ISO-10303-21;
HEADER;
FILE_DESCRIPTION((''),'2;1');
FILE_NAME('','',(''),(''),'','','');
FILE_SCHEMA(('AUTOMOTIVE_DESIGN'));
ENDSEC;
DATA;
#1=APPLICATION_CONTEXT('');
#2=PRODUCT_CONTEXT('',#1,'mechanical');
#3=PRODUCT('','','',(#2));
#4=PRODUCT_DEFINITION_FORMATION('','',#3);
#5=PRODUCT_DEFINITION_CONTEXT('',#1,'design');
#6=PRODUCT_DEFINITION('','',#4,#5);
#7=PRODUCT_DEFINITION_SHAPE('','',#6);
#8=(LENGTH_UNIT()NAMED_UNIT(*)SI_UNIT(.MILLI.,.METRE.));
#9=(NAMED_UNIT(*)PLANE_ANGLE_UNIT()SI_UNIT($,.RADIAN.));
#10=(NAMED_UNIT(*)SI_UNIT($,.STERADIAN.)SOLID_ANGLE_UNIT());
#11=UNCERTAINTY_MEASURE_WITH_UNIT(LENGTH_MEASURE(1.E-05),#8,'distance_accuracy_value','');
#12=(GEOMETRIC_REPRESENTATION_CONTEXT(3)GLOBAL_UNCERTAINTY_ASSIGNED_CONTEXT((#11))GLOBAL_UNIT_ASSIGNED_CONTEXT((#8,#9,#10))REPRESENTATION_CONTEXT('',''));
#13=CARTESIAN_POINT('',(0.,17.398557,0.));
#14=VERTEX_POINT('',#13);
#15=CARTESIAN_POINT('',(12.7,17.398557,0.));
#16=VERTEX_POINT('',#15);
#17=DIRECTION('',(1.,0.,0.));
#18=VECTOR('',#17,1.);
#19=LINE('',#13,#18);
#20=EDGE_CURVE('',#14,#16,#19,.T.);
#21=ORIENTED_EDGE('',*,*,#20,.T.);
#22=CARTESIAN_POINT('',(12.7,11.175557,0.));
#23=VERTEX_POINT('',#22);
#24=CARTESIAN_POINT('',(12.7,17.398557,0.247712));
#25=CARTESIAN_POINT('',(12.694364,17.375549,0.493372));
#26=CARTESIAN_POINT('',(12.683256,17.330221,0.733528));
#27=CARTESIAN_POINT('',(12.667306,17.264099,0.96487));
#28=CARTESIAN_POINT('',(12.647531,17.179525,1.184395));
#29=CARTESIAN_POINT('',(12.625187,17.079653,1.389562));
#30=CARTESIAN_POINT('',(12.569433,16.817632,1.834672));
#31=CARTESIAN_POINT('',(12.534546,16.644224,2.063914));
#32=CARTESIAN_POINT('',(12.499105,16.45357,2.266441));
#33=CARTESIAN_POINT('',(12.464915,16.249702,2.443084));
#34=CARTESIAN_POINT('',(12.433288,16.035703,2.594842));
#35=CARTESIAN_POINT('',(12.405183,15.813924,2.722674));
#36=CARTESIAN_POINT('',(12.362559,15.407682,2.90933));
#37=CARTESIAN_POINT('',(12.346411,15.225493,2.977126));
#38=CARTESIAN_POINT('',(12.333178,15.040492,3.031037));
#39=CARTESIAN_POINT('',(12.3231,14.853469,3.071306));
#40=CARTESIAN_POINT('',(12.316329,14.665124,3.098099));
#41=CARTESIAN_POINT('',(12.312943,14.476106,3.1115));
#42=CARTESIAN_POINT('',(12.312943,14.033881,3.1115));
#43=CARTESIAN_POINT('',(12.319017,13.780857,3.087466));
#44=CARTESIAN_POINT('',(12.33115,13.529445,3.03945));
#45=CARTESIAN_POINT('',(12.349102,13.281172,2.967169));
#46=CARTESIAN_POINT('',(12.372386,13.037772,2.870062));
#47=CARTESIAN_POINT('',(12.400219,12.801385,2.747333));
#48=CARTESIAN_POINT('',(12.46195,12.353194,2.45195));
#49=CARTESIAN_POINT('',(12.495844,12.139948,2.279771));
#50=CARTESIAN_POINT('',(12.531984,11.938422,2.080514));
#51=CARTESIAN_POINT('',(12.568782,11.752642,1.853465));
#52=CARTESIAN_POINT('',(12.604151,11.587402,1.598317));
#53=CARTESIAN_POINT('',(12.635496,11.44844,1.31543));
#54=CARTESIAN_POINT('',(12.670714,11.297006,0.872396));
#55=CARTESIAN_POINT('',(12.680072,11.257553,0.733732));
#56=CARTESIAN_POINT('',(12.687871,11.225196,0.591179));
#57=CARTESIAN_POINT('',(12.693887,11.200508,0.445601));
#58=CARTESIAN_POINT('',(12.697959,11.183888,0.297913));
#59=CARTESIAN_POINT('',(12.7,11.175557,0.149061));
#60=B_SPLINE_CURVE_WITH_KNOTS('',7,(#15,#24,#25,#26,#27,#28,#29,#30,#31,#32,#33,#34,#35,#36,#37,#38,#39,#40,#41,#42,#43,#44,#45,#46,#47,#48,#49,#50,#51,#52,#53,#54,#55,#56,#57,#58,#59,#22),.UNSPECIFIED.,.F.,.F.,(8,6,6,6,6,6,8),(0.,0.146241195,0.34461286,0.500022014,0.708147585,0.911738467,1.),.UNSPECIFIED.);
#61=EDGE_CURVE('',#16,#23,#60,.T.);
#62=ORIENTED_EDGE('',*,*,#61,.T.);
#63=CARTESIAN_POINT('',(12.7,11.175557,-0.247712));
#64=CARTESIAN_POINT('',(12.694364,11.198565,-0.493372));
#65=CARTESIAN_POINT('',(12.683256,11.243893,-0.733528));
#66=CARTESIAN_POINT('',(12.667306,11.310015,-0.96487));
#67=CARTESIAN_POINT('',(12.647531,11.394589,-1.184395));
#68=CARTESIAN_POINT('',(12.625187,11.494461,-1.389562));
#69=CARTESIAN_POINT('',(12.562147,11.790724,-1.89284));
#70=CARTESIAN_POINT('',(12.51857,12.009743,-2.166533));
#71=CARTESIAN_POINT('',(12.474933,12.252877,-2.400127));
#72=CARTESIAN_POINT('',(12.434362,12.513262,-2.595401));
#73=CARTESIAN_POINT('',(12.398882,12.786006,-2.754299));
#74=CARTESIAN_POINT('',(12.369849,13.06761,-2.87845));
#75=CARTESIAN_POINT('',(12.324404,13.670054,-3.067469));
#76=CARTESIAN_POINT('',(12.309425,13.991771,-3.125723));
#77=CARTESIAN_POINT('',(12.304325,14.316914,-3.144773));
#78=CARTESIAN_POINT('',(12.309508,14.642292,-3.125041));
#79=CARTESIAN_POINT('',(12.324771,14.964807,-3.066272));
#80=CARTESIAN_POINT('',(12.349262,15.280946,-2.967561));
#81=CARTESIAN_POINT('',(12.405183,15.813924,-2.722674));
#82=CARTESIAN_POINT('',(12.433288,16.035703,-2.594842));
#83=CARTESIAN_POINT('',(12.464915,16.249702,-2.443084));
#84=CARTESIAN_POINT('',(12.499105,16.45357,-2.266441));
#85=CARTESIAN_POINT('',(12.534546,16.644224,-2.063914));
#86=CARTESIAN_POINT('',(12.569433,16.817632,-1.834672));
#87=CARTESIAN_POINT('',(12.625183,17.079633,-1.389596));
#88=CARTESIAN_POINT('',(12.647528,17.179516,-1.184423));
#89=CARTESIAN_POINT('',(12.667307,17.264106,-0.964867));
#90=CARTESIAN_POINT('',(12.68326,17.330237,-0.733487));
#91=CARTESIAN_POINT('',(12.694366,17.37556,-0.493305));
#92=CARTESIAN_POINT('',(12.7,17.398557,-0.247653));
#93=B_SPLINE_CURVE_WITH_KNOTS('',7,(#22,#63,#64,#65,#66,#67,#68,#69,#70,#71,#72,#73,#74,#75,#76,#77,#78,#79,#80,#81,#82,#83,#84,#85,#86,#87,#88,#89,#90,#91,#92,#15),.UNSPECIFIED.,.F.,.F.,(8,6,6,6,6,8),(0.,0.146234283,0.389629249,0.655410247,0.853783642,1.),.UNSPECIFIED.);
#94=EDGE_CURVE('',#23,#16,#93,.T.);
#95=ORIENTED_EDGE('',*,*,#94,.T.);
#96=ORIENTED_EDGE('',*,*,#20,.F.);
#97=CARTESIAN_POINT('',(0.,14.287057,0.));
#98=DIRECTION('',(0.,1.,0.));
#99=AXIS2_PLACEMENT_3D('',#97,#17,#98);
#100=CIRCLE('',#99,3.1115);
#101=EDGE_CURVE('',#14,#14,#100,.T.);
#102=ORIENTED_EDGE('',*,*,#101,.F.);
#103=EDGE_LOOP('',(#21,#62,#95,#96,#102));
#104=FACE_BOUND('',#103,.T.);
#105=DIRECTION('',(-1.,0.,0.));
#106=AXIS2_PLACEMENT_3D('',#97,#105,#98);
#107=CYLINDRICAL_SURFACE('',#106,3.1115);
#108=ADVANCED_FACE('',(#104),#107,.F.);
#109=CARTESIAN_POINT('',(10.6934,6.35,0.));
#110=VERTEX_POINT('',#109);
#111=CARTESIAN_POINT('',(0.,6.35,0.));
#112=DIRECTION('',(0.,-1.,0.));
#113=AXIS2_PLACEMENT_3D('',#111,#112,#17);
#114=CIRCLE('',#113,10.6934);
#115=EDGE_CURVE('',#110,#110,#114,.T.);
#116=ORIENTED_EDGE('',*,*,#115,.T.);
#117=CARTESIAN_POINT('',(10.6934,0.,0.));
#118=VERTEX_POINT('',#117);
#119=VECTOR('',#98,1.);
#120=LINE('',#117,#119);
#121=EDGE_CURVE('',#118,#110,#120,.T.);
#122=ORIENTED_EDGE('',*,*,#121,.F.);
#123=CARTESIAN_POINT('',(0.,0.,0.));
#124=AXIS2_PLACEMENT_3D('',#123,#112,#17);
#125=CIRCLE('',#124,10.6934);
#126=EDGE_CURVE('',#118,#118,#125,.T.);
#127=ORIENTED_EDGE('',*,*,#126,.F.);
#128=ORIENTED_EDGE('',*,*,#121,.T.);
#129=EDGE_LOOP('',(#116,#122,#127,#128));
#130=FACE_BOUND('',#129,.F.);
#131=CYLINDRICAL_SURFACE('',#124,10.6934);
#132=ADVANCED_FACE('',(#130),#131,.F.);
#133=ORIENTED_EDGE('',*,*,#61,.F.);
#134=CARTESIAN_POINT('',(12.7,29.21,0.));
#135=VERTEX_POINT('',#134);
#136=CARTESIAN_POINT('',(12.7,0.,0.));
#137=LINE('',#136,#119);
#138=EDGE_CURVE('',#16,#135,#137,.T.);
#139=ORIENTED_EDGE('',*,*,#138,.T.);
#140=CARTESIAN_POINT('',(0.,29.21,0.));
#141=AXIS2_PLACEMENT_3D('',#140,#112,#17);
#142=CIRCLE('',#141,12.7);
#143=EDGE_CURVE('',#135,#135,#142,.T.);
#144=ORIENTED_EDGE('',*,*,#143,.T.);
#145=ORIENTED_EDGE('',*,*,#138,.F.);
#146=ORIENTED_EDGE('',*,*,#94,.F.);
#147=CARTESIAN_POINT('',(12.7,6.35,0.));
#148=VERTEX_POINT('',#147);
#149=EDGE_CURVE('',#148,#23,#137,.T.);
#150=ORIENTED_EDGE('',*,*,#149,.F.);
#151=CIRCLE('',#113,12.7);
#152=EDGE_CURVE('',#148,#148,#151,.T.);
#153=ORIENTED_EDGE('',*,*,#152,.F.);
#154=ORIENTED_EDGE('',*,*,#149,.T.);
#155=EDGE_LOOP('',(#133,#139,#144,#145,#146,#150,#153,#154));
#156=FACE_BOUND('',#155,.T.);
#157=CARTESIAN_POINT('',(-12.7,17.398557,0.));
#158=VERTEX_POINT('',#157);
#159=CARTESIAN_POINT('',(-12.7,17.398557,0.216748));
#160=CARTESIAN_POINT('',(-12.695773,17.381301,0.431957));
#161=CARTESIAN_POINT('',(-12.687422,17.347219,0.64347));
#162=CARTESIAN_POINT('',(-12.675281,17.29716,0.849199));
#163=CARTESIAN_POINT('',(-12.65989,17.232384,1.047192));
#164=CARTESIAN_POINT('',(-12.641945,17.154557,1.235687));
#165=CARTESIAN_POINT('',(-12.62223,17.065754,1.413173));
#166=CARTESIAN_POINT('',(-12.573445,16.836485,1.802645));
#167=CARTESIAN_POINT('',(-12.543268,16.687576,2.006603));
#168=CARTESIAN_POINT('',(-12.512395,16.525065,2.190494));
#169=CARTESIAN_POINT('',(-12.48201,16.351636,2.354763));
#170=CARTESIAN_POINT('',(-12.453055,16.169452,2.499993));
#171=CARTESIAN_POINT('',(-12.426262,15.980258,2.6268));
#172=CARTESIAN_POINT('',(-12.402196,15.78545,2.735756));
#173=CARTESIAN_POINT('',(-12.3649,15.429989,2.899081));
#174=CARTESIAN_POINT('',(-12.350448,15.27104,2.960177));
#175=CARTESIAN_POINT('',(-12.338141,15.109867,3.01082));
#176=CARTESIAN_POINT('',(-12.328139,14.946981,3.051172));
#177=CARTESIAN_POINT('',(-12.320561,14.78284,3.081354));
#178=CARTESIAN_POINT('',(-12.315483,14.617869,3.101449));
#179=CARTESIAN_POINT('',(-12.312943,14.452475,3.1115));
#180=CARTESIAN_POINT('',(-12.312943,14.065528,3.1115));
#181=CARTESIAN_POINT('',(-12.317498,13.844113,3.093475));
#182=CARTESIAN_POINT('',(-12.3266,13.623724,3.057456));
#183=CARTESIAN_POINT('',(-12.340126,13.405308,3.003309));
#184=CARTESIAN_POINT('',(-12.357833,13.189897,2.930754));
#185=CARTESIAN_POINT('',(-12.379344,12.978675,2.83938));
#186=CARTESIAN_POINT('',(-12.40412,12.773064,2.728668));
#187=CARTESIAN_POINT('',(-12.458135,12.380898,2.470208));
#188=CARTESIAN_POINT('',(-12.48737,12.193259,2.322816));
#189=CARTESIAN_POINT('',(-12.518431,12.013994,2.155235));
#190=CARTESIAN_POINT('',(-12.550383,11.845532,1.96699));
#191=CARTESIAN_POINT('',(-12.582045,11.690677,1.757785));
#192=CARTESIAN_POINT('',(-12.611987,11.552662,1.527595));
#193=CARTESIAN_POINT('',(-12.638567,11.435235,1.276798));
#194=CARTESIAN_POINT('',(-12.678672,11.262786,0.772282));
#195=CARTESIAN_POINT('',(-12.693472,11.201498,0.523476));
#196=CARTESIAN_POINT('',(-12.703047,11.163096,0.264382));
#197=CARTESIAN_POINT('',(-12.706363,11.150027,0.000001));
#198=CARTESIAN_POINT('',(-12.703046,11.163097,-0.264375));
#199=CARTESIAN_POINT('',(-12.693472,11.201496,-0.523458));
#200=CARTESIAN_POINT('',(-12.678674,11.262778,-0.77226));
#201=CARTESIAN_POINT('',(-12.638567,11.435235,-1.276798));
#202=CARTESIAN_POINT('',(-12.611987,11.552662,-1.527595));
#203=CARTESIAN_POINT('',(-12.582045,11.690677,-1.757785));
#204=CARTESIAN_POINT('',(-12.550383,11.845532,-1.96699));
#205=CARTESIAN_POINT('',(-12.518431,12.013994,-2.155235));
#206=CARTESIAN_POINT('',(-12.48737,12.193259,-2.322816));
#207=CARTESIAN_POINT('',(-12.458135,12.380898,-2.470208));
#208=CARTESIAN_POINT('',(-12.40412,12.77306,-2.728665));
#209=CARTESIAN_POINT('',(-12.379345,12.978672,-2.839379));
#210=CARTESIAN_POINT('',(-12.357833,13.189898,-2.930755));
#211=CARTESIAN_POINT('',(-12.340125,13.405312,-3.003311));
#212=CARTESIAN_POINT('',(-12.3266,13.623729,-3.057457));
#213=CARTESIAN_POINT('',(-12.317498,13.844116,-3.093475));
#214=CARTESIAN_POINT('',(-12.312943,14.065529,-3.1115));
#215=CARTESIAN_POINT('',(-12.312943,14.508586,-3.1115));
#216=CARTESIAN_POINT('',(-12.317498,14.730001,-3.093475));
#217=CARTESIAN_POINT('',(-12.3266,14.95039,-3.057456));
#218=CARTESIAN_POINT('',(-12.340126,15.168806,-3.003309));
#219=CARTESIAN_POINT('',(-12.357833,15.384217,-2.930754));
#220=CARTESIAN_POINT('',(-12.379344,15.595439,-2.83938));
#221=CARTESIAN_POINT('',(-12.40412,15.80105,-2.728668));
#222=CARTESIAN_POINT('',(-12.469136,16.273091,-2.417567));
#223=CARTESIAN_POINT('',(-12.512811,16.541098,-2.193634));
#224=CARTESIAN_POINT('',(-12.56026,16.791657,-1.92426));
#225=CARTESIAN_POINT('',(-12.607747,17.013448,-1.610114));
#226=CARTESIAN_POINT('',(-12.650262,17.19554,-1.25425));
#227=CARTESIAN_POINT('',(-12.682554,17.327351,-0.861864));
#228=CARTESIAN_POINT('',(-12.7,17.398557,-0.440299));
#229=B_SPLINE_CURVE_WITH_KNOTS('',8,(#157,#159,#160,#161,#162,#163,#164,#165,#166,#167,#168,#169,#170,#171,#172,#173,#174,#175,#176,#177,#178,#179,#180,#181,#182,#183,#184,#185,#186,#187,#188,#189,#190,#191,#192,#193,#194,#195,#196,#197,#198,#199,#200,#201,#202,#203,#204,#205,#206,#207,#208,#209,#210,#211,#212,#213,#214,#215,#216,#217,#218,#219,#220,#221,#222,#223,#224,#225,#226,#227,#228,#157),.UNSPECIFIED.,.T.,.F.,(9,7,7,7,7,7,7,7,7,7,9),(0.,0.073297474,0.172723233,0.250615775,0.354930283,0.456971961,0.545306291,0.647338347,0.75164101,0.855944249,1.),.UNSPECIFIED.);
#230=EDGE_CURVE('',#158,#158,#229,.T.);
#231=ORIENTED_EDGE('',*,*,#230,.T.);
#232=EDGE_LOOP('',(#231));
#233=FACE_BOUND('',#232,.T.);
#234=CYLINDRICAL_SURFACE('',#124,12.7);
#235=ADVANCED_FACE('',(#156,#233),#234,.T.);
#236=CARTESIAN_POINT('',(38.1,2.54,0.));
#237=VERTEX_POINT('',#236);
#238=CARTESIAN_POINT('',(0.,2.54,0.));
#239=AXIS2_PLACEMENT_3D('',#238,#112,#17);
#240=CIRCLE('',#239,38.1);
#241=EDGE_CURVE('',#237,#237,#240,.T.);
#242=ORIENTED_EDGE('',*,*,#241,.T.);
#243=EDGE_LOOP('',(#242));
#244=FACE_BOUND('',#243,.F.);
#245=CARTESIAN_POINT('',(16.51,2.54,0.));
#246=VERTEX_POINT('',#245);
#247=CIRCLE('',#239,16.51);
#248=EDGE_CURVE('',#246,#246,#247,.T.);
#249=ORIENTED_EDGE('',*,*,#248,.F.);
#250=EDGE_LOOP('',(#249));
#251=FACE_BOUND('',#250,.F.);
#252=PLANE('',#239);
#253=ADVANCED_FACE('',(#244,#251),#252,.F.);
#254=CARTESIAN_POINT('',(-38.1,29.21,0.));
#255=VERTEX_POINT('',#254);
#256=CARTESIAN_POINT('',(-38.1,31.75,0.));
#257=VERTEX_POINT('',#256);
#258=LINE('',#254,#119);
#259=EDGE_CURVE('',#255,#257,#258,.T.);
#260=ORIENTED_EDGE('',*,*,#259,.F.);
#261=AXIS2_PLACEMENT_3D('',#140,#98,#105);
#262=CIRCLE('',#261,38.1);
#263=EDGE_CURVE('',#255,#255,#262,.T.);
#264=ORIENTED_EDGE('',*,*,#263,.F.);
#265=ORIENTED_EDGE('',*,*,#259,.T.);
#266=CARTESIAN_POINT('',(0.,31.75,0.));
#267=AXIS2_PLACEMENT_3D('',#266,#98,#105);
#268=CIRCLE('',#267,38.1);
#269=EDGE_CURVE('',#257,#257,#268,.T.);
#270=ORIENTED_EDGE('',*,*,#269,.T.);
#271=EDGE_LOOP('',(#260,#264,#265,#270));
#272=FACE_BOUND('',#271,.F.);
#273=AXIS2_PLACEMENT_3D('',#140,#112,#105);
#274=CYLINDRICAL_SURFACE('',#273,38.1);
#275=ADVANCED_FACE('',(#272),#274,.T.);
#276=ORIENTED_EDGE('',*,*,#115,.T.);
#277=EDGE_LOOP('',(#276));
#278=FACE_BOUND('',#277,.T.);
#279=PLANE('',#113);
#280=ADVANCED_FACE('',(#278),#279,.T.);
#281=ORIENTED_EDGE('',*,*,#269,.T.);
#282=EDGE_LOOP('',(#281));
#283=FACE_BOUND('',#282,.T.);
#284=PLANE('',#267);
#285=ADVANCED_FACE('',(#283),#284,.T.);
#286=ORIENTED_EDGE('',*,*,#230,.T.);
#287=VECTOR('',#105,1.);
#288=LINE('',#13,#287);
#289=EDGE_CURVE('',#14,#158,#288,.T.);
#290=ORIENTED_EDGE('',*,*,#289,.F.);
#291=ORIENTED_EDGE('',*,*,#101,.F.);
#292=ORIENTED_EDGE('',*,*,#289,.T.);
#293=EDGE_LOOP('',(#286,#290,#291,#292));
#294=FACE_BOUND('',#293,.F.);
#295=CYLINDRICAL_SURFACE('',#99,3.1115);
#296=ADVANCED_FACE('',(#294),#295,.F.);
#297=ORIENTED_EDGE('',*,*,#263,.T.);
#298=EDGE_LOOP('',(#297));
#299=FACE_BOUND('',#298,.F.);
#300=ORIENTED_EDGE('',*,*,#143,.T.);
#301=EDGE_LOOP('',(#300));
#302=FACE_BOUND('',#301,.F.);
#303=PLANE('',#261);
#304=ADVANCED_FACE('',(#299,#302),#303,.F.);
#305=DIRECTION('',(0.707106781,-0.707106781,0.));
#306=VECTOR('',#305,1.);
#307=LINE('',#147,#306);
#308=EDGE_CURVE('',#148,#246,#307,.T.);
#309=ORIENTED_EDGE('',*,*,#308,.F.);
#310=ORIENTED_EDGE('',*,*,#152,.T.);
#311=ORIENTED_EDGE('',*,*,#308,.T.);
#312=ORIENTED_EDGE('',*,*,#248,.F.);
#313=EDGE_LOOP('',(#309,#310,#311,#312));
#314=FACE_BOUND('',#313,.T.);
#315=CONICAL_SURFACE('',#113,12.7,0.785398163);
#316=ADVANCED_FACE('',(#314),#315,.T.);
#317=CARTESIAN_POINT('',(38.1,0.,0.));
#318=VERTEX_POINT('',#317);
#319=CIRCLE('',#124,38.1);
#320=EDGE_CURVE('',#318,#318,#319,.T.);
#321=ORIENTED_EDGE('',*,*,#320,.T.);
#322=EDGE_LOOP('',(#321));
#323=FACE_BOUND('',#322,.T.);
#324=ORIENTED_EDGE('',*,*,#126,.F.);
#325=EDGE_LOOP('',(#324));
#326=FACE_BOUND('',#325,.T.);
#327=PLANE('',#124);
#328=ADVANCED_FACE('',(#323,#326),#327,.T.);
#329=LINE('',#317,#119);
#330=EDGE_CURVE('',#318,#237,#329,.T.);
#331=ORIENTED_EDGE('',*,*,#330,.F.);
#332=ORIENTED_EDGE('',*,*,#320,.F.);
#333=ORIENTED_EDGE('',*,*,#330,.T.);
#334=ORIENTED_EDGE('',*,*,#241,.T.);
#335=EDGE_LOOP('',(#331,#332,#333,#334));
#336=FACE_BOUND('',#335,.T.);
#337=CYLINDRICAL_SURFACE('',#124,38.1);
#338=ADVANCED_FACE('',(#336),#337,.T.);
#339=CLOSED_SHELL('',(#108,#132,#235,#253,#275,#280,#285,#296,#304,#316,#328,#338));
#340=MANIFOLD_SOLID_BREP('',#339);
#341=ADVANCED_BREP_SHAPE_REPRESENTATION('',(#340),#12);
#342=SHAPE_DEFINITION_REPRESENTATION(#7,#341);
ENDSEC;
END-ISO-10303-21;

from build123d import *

# Parameters (mm, degrees)
F0_R          = 38.1
F1_DEPTH      = 2.54
F2_R          = 12.7
F3_DEPTH      = 29.21
F4_R          = 10.6934
F5_DEPTH      = 6.35
F6_R          = 38.1
F7_DEPTH      = 2.54
F8_R          = 3.1115
F9_DEPTH      = 25.4
F9_DEPTH_BACK = 25.4
F10_SIZE      = 3.81


with BuildPart() as f1:
    # F0 (on Front) → F1 (new body)
    with BuildSketch(Plane.XZ):
        Circle(F0_R)
    extrude(amount=-F1_DEPTH)

    # F2 (on Front) → F3 (join)
    with BuildSketch(Plane.XZ):
        Circle(F2_R)
    extrude(amount=-F3_DEPTH)

    # F4 (on Front) → F5 (cut)
    with BuildSketch(Plane.XZ):
        Circle(F4_R)
    extrude(amount=-F5_DEPTH, mode=Mode.SUBTRACT)

    # F6 (on face) → F7 (join)
    with BuildSketch(Plane(origin=(0, 29.21, 0), x_dir=(-1, 0, 0), z_dir=(0, 1, 0))):
        Circle(F6_R)
    extrude(amount=F7_DEPTH)

    # F8 (on Right) → F9 (cut, two sides)
    with BuildSketch(Plane.YZ) as f9_sk:
        with Locations((14.287057, 0)):
            Circle(F8_R)
    extrude(amount=F9_DEPTH, mode=Mode.SUBTRACT)
    extrude(f9_sk.sketch, amount=-F9_DEPTH_BACK, mode=Mode.SUBTRACT)

    # F10
    f10_edges = [f1.edges().sort_by_distance(p)[0] for p in [
        (-12.7, 2.54, 0),
    ]]
    chamfer(f10_edges, length=F10_SIZE)


solid = f1.part
